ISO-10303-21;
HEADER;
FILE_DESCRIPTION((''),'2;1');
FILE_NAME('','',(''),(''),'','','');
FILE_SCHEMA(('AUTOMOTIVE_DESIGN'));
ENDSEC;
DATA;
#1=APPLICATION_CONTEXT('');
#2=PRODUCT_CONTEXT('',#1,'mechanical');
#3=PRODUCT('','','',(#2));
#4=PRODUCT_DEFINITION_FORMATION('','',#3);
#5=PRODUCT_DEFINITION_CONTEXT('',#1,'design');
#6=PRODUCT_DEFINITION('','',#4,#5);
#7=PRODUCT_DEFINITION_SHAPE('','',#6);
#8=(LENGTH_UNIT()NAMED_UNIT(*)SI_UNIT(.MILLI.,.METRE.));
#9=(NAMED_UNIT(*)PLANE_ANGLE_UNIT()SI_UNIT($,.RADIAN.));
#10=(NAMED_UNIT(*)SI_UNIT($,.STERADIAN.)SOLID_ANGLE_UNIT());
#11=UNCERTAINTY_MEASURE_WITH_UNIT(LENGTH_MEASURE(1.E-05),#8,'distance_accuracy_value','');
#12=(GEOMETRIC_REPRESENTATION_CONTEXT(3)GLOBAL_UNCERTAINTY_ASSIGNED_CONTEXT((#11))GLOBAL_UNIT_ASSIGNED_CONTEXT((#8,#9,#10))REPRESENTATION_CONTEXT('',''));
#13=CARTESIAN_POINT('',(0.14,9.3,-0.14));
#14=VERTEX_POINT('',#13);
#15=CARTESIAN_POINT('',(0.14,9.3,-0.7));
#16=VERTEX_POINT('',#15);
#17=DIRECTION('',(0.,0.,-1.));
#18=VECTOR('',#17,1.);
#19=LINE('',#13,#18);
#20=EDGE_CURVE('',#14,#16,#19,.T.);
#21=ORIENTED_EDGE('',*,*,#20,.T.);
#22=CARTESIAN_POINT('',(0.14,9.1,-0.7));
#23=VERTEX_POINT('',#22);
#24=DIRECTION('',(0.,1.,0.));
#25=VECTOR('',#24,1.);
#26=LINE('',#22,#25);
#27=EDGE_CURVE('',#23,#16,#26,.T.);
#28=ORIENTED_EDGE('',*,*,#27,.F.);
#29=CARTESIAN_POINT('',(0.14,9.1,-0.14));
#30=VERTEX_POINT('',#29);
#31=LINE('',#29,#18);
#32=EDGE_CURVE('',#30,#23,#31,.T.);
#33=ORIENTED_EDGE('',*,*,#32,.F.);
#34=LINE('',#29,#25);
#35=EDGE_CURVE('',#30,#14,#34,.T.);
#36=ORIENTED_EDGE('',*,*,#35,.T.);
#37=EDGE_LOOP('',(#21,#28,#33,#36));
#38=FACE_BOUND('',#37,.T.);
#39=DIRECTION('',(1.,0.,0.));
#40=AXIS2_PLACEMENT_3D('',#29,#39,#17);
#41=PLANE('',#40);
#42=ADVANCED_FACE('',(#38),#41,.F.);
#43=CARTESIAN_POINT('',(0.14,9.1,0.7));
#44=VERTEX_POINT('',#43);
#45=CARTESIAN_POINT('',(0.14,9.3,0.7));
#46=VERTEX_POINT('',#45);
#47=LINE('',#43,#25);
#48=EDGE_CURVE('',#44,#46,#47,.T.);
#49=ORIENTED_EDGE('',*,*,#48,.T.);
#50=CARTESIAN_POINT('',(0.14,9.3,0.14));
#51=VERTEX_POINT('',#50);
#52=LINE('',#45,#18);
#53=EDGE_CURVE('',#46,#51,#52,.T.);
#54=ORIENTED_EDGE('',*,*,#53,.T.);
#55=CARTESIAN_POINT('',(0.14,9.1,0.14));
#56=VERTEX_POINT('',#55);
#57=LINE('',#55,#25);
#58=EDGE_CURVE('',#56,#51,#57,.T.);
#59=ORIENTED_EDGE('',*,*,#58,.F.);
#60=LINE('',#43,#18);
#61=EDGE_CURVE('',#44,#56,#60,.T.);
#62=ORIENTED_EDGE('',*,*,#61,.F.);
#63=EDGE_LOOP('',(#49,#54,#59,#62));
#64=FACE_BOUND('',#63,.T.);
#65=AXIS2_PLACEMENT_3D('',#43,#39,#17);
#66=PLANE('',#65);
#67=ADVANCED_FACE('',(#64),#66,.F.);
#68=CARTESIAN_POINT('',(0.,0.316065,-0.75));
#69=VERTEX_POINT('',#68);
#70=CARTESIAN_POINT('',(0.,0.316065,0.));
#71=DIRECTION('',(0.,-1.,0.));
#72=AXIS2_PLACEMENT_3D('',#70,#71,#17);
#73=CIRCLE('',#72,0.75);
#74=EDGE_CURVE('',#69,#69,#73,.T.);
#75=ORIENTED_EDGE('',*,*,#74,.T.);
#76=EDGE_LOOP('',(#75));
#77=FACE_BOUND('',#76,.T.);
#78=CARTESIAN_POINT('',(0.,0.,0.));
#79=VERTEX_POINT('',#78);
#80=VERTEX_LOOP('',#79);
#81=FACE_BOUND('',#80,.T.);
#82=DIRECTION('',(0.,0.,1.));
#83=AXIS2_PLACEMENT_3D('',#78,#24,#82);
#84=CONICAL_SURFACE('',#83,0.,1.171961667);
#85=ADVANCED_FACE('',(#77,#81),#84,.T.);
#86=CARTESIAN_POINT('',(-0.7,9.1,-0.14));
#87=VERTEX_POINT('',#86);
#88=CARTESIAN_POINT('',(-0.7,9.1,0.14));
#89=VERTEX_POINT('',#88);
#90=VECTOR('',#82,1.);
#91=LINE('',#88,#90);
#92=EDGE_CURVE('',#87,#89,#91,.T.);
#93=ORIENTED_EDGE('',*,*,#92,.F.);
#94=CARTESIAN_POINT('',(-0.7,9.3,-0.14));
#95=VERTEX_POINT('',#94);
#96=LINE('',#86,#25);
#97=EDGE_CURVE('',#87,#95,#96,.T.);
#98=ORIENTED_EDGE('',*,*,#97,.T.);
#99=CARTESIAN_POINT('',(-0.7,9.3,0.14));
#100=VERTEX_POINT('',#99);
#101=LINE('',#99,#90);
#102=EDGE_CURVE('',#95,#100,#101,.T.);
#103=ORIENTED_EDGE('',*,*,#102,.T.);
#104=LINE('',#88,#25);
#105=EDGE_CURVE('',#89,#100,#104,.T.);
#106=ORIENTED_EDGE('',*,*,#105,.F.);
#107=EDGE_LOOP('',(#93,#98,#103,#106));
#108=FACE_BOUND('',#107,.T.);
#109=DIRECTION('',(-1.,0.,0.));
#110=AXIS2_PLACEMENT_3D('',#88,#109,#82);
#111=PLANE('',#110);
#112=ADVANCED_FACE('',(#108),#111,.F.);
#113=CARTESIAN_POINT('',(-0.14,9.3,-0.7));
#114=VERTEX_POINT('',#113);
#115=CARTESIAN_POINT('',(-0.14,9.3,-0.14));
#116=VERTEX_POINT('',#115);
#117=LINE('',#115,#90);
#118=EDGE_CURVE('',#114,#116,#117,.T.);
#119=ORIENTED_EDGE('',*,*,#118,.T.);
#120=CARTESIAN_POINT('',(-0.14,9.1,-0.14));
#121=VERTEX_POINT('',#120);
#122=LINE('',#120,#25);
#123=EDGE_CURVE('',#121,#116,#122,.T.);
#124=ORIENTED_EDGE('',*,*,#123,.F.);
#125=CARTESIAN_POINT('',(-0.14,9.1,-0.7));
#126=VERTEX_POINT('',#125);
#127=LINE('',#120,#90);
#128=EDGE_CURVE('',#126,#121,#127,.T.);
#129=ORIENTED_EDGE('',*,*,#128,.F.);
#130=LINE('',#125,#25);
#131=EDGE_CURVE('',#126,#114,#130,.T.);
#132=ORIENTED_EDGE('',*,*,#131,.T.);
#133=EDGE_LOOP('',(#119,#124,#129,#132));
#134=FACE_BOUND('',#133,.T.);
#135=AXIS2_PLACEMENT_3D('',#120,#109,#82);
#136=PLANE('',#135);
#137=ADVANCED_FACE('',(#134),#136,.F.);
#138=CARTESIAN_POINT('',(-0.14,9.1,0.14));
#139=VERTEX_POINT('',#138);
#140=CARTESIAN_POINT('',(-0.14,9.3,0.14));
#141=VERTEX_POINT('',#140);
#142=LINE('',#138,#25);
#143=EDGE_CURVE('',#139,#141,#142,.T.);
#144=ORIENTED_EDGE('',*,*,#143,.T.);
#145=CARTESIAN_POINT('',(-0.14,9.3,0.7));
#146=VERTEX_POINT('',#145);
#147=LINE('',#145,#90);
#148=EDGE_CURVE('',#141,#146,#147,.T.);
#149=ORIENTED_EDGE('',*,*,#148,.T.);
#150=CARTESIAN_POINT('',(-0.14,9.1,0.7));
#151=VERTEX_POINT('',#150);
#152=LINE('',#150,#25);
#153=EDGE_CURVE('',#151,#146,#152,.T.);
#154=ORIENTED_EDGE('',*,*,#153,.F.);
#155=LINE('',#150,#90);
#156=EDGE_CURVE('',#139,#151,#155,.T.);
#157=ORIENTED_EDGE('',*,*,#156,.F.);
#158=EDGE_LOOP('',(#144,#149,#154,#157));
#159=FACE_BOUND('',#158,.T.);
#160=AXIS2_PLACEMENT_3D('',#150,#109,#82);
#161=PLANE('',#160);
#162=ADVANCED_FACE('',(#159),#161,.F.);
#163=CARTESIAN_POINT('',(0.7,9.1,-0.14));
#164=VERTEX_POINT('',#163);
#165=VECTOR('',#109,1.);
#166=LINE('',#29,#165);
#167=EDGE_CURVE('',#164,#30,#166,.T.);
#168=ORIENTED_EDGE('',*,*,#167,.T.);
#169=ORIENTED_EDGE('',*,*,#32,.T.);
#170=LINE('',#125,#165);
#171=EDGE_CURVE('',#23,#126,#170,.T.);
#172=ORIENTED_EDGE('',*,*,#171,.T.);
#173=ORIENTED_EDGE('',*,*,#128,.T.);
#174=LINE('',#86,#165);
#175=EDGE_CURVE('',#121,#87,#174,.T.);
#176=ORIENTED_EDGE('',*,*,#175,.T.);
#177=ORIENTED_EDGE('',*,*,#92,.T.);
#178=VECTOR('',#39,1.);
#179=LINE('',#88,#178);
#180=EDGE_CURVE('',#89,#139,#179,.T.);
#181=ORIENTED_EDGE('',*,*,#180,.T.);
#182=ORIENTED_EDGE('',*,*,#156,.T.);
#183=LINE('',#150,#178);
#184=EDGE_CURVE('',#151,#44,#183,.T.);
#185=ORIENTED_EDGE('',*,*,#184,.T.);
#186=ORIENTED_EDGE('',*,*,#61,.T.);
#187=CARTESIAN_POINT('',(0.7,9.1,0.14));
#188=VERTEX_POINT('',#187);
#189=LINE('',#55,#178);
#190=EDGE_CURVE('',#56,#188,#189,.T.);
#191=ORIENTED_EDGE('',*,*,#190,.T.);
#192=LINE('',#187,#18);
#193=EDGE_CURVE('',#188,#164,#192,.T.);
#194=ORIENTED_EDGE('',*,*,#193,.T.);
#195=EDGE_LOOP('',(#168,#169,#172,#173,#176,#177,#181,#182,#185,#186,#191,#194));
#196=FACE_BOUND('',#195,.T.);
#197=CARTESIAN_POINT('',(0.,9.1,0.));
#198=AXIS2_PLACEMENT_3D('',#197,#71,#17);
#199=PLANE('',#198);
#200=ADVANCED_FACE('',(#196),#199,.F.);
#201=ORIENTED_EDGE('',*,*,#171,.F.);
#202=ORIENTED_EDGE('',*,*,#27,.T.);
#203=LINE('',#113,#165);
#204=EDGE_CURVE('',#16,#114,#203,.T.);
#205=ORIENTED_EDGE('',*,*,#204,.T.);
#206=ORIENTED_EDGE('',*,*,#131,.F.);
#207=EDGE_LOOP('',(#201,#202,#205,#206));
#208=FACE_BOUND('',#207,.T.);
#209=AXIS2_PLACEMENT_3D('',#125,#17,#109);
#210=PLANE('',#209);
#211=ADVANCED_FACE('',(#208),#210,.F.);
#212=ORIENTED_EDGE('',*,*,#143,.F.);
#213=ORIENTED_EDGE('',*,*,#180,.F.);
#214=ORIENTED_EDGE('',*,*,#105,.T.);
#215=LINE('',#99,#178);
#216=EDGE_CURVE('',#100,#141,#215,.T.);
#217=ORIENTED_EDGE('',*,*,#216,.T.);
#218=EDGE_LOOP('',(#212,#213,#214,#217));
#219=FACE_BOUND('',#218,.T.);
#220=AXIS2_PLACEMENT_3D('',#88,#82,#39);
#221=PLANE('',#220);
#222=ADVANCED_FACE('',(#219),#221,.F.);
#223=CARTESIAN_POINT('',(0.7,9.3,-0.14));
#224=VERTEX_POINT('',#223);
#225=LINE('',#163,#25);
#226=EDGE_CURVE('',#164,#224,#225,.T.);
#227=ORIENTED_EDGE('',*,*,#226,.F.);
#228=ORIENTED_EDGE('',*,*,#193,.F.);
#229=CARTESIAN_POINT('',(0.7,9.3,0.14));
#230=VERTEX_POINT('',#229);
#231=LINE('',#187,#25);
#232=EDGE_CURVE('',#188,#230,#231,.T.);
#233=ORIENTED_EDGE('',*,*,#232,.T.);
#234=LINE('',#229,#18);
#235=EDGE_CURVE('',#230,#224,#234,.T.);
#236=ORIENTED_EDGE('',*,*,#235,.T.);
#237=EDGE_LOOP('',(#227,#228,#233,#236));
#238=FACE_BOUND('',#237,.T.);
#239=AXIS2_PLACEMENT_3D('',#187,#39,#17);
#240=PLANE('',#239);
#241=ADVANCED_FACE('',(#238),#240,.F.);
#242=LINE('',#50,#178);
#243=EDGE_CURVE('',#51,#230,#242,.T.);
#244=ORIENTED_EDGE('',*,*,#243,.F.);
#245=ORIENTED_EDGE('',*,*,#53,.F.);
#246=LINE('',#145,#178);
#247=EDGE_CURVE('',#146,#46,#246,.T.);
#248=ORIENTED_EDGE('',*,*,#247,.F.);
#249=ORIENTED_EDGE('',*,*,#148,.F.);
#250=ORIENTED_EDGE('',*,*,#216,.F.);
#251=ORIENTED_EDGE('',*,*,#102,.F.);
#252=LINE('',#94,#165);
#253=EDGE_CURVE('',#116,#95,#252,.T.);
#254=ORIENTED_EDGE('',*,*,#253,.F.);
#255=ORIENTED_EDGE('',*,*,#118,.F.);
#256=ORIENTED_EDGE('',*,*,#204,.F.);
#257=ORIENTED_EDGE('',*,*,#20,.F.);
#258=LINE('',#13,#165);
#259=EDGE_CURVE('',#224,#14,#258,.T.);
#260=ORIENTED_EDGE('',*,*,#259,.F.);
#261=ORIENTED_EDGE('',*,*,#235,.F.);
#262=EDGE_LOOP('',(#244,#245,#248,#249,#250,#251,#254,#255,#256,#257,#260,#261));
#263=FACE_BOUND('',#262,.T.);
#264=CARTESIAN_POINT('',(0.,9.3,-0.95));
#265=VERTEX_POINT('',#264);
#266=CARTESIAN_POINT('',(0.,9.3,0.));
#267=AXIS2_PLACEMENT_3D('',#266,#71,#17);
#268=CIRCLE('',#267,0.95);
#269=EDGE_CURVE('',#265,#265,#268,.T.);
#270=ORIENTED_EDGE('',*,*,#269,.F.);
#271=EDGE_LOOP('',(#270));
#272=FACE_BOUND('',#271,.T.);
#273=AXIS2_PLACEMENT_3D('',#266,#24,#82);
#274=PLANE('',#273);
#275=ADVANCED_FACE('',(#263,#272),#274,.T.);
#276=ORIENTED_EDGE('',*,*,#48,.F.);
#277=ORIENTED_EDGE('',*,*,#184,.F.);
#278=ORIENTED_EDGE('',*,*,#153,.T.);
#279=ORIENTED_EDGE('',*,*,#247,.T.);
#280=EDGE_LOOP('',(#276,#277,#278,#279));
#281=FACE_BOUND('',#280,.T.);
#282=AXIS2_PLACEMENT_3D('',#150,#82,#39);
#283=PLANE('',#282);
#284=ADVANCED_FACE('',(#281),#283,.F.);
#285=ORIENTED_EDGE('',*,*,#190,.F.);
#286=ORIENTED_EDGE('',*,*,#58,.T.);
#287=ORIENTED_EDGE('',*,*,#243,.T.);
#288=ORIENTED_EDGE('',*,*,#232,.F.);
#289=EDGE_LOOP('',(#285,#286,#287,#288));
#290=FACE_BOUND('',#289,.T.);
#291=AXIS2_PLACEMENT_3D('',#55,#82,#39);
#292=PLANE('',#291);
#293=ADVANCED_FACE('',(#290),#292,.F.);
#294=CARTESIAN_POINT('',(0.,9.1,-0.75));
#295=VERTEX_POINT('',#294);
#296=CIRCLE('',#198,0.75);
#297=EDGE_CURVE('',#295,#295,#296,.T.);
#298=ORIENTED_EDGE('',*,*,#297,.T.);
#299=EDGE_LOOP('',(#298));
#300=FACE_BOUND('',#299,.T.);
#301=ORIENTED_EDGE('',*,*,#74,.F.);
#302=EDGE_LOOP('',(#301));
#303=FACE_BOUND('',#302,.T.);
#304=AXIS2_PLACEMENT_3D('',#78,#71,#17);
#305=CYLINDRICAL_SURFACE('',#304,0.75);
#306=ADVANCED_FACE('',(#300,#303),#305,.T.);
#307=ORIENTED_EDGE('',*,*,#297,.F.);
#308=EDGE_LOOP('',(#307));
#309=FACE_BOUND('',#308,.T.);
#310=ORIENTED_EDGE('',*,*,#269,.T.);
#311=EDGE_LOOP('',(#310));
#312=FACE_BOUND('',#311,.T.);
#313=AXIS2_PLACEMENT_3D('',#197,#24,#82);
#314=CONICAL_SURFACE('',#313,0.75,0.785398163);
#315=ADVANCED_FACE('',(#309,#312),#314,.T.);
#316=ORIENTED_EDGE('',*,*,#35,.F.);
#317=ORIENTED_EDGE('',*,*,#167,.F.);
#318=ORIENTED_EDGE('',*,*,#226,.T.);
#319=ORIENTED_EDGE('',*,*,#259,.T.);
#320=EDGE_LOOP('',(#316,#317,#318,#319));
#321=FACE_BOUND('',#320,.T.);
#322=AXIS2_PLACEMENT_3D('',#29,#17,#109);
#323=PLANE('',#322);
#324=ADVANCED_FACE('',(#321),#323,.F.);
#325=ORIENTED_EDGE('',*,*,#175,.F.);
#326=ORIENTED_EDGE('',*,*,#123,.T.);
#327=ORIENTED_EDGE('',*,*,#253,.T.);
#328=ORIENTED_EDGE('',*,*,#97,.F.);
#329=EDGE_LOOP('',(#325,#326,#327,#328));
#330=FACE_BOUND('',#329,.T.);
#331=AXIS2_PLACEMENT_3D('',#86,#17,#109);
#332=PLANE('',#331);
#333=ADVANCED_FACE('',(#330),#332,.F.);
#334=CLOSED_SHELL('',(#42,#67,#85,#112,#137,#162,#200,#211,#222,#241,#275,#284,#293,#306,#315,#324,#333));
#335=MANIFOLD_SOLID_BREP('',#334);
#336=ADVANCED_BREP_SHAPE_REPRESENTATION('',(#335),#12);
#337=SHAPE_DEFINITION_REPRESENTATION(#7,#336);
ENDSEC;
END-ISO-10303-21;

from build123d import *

# Parameters (mm, degrees)
CUT_EXTRUDE1_DEPTH = 0.2


with BuildPart() as part:
    # Sketch2 → Revolve1 (revolve)
    with BuildSketch(Plane.XY, mode=Mode.PRIVATE) as revolve1_sk:
        Polygon((0, 0), (0, 9.3), (0.95, 9.3), (0.75, 9.1), (0.75, 0.316065183), align=None)
    revolve(revolve1_sk.sketch.rotate(Axis((0, 0, 0), (0, 1, 0)), 90), axis=Axis((0, 0, 0), (0, 1, 0)))

    # Sketch3 → Cut-Extrude1 (cut)
    with BuildSketch(Plane(origin=(0, 9.3, 0), x_dir=(1, 0, 0), z_dir=(0, 1, 0))):
        Polygon((0.14, 0.14), (0.7, 0.14), (0.7, -0.14), (0.14, -0.14), (0.14, -0.7), (-0.14, -0.7), (-0.14, -0.14), (-0.7, -0.14), (-0.7, 0.14), (-0.14, 0.14), (-0.14, 0.7), (0.14, 0.7), align=None)
    extrude(amount=-CUT_EXTRUDE1_DEPTH, mode=Mode.SUBTRACT)


solid = part.part
